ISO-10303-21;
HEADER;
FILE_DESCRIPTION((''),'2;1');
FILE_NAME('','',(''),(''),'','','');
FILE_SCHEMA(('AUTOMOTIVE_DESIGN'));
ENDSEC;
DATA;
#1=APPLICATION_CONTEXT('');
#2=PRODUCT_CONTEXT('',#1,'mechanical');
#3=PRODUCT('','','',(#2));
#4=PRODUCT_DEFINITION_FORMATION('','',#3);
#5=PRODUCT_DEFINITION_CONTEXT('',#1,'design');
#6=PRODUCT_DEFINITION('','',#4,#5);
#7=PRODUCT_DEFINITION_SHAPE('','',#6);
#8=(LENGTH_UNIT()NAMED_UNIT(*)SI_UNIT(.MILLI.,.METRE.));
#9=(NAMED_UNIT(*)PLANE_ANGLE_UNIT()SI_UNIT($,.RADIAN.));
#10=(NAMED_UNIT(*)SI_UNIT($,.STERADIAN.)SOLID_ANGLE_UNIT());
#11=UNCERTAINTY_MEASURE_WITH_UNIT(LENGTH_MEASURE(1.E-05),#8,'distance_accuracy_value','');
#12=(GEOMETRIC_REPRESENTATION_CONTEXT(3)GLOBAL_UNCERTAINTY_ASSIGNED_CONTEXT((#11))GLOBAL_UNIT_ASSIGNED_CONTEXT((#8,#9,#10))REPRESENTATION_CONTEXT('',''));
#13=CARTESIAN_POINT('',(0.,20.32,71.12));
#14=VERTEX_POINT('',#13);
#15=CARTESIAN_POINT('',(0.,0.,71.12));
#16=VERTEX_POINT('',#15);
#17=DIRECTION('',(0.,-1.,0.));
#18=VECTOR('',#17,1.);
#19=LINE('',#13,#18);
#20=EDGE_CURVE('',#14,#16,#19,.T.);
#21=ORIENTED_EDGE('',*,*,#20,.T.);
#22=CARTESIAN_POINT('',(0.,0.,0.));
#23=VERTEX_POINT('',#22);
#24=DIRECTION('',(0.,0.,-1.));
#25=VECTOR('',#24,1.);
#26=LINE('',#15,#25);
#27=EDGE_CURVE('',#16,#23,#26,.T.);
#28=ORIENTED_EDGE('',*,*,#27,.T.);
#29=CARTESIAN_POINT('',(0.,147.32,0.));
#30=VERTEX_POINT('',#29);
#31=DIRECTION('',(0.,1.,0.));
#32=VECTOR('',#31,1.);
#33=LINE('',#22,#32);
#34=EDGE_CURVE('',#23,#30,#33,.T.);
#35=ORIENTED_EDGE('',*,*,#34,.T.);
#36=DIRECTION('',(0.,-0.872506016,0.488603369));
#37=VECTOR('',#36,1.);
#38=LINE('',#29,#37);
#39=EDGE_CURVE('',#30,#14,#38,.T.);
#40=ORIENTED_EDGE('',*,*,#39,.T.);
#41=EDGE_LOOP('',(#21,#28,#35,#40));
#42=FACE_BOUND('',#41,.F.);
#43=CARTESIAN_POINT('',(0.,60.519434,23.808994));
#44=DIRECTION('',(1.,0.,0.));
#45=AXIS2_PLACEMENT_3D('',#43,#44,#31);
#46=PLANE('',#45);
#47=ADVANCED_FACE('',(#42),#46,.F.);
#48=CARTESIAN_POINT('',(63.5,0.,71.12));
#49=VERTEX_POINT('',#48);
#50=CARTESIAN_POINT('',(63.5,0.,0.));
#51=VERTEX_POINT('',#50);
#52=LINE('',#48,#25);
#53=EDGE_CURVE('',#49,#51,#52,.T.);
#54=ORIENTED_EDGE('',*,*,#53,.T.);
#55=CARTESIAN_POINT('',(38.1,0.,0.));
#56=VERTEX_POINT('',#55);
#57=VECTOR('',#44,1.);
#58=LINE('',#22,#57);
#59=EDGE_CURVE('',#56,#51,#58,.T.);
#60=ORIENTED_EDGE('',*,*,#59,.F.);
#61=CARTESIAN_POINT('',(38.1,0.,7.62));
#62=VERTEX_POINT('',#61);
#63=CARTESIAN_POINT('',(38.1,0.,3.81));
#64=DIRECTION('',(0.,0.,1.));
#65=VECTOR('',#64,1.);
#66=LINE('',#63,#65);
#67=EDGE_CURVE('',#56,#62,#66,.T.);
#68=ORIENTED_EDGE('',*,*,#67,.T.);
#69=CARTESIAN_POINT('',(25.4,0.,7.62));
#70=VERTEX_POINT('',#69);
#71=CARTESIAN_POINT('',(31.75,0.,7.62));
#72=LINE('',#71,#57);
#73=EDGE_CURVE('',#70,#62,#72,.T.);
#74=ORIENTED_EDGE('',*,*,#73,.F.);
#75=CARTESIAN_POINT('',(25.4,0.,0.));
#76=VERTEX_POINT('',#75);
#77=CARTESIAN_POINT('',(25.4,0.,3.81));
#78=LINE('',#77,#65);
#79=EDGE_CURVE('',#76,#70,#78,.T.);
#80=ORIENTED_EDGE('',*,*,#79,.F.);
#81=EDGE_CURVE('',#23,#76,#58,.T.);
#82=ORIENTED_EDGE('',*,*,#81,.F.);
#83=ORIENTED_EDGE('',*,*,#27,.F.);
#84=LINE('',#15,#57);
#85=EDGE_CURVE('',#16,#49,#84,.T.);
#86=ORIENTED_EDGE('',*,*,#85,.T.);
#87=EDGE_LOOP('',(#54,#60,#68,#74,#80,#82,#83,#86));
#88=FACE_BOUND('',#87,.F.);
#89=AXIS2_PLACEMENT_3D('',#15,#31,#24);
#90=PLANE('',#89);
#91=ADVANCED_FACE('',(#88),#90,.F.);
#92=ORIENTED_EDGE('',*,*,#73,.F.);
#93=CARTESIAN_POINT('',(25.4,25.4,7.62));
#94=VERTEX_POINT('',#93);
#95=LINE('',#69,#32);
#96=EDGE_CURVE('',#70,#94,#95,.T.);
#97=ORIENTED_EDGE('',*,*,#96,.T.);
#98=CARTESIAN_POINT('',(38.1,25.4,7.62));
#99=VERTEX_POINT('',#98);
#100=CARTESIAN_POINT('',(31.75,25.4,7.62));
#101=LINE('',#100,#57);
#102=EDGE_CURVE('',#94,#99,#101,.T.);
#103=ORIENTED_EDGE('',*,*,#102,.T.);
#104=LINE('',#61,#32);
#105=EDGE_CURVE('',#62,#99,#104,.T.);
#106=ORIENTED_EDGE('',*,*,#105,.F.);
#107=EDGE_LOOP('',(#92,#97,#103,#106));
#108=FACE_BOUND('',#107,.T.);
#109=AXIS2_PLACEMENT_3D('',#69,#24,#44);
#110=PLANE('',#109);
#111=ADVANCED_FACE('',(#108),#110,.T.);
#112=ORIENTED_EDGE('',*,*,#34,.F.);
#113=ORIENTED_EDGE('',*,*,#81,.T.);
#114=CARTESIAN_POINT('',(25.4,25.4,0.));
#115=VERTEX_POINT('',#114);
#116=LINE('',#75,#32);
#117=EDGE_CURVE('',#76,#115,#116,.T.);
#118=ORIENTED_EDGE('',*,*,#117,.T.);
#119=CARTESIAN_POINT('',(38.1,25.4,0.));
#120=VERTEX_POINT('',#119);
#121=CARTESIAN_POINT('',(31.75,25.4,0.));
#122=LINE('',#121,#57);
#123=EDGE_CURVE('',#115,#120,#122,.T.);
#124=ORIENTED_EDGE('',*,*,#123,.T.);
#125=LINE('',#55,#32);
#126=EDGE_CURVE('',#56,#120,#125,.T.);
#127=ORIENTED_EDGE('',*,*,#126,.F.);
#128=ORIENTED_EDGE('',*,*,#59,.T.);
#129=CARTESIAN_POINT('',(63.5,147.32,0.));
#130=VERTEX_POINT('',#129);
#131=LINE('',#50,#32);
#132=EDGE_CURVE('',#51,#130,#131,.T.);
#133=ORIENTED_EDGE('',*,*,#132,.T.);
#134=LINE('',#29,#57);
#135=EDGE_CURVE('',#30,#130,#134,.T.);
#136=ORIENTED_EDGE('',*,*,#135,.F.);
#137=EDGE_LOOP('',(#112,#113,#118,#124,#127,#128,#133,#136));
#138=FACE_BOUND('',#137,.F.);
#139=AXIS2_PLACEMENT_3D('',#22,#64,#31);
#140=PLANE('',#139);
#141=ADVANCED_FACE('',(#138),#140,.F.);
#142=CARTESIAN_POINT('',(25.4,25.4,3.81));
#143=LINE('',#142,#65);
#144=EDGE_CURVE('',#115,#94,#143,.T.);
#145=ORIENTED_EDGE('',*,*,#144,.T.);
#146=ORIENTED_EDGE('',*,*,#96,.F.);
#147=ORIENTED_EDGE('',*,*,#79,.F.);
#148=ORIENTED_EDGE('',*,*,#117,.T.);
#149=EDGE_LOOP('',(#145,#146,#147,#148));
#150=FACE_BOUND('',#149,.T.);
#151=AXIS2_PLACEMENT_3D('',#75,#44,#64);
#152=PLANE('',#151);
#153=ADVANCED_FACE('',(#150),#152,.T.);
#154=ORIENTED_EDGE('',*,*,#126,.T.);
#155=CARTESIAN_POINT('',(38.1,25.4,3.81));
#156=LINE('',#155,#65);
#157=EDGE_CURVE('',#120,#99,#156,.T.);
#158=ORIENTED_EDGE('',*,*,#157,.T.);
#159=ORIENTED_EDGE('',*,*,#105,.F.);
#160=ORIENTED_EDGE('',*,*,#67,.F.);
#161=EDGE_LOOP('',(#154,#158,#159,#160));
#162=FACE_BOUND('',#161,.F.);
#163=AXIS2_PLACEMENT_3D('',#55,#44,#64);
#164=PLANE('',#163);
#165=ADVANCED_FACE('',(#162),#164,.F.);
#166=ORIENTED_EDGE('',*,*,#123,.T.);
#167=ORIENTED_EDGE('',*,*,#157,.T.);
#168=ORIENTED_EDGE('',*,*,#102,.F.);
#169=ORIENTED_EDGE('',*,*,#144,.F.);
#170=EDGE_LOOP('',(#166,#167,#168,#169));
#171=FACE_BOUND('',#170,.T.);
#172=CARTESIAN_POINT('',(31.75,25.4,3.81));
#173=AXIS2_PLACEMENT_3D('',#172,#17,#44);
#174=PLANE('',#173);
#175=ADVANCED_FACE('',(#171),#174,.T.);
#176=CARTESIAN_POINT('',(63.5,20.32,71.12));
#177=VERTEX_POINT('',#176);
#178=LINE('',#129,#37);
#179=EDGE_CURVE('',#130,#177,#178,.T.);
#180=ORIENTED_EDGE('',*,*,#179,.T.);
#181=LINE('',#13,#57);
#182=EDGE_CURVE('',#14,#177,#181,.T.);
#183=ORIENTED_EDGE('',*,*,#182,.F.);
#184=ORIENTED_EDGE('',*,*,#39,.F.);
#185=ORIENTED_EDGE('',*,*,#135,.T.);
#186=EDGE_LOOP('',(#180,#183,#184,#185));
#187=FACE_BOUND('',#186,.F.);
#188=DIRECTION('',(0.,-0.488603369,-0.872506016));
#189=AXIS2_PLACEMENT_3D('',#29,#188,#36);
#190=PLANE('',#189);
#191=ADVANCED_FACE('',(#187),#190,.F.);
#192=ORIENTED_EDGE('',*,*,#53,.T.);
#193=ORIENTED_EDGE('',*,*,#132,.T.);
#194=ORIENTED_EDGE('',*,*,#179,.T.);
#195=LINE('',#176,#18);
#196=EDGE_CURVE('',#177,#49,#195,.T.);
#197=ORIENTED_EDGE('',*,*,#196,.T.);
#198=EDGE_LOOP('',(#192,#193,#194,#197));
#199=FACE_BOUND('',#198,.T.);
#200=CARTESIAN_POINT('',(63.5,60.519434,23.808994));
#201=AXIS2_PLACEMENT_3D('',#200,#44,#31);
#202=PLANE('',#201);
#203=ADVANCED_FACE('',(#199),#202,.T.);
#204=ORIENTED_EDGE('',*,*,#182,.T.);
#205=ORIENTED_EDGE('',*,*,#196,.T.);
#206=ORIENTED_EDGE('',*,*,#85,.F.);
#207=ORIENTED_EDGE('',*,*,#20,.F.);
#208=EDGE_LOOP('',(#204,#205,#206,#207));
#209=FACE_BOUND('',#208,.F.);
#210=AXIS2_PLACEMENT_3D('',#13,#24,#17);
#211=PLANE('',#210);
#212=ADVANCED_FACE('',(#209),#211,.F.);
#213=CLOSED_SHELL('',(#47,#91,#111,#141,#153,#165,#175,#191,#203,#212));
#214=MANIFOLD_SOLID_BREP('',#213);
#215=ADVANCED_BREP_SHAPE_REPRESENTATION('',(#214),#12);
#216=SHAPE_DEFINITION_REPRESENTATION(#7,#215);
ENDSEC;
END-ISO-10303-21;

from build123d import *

# Parameters (mm, degrees)
F1_DEPTH = 63.5
F2_W     = 12.7
F2_H     = 7.62
F3_DEPTH = 25.4


with BuildPart() as f1:
    # F0 (on Right) → F1 (new body)
    with BuildSketch(Plane.YZ):
        Polygon((0, 71.12), (0, 0), (147.32, 0), (20.32, 71.12), align=None)
    extrude(amount=F1_DEPTH)

    # F2 (on Front) → F3 (cut)
    with BuildSketch(Plane.XZ):
        with Locations((31.75, 3.81)):
            Rectangle(F2_W, F2_H)
    extrude(amount=-F3_DEPTH, mode=Mode.SUBTRACT)


solid = f1.part
